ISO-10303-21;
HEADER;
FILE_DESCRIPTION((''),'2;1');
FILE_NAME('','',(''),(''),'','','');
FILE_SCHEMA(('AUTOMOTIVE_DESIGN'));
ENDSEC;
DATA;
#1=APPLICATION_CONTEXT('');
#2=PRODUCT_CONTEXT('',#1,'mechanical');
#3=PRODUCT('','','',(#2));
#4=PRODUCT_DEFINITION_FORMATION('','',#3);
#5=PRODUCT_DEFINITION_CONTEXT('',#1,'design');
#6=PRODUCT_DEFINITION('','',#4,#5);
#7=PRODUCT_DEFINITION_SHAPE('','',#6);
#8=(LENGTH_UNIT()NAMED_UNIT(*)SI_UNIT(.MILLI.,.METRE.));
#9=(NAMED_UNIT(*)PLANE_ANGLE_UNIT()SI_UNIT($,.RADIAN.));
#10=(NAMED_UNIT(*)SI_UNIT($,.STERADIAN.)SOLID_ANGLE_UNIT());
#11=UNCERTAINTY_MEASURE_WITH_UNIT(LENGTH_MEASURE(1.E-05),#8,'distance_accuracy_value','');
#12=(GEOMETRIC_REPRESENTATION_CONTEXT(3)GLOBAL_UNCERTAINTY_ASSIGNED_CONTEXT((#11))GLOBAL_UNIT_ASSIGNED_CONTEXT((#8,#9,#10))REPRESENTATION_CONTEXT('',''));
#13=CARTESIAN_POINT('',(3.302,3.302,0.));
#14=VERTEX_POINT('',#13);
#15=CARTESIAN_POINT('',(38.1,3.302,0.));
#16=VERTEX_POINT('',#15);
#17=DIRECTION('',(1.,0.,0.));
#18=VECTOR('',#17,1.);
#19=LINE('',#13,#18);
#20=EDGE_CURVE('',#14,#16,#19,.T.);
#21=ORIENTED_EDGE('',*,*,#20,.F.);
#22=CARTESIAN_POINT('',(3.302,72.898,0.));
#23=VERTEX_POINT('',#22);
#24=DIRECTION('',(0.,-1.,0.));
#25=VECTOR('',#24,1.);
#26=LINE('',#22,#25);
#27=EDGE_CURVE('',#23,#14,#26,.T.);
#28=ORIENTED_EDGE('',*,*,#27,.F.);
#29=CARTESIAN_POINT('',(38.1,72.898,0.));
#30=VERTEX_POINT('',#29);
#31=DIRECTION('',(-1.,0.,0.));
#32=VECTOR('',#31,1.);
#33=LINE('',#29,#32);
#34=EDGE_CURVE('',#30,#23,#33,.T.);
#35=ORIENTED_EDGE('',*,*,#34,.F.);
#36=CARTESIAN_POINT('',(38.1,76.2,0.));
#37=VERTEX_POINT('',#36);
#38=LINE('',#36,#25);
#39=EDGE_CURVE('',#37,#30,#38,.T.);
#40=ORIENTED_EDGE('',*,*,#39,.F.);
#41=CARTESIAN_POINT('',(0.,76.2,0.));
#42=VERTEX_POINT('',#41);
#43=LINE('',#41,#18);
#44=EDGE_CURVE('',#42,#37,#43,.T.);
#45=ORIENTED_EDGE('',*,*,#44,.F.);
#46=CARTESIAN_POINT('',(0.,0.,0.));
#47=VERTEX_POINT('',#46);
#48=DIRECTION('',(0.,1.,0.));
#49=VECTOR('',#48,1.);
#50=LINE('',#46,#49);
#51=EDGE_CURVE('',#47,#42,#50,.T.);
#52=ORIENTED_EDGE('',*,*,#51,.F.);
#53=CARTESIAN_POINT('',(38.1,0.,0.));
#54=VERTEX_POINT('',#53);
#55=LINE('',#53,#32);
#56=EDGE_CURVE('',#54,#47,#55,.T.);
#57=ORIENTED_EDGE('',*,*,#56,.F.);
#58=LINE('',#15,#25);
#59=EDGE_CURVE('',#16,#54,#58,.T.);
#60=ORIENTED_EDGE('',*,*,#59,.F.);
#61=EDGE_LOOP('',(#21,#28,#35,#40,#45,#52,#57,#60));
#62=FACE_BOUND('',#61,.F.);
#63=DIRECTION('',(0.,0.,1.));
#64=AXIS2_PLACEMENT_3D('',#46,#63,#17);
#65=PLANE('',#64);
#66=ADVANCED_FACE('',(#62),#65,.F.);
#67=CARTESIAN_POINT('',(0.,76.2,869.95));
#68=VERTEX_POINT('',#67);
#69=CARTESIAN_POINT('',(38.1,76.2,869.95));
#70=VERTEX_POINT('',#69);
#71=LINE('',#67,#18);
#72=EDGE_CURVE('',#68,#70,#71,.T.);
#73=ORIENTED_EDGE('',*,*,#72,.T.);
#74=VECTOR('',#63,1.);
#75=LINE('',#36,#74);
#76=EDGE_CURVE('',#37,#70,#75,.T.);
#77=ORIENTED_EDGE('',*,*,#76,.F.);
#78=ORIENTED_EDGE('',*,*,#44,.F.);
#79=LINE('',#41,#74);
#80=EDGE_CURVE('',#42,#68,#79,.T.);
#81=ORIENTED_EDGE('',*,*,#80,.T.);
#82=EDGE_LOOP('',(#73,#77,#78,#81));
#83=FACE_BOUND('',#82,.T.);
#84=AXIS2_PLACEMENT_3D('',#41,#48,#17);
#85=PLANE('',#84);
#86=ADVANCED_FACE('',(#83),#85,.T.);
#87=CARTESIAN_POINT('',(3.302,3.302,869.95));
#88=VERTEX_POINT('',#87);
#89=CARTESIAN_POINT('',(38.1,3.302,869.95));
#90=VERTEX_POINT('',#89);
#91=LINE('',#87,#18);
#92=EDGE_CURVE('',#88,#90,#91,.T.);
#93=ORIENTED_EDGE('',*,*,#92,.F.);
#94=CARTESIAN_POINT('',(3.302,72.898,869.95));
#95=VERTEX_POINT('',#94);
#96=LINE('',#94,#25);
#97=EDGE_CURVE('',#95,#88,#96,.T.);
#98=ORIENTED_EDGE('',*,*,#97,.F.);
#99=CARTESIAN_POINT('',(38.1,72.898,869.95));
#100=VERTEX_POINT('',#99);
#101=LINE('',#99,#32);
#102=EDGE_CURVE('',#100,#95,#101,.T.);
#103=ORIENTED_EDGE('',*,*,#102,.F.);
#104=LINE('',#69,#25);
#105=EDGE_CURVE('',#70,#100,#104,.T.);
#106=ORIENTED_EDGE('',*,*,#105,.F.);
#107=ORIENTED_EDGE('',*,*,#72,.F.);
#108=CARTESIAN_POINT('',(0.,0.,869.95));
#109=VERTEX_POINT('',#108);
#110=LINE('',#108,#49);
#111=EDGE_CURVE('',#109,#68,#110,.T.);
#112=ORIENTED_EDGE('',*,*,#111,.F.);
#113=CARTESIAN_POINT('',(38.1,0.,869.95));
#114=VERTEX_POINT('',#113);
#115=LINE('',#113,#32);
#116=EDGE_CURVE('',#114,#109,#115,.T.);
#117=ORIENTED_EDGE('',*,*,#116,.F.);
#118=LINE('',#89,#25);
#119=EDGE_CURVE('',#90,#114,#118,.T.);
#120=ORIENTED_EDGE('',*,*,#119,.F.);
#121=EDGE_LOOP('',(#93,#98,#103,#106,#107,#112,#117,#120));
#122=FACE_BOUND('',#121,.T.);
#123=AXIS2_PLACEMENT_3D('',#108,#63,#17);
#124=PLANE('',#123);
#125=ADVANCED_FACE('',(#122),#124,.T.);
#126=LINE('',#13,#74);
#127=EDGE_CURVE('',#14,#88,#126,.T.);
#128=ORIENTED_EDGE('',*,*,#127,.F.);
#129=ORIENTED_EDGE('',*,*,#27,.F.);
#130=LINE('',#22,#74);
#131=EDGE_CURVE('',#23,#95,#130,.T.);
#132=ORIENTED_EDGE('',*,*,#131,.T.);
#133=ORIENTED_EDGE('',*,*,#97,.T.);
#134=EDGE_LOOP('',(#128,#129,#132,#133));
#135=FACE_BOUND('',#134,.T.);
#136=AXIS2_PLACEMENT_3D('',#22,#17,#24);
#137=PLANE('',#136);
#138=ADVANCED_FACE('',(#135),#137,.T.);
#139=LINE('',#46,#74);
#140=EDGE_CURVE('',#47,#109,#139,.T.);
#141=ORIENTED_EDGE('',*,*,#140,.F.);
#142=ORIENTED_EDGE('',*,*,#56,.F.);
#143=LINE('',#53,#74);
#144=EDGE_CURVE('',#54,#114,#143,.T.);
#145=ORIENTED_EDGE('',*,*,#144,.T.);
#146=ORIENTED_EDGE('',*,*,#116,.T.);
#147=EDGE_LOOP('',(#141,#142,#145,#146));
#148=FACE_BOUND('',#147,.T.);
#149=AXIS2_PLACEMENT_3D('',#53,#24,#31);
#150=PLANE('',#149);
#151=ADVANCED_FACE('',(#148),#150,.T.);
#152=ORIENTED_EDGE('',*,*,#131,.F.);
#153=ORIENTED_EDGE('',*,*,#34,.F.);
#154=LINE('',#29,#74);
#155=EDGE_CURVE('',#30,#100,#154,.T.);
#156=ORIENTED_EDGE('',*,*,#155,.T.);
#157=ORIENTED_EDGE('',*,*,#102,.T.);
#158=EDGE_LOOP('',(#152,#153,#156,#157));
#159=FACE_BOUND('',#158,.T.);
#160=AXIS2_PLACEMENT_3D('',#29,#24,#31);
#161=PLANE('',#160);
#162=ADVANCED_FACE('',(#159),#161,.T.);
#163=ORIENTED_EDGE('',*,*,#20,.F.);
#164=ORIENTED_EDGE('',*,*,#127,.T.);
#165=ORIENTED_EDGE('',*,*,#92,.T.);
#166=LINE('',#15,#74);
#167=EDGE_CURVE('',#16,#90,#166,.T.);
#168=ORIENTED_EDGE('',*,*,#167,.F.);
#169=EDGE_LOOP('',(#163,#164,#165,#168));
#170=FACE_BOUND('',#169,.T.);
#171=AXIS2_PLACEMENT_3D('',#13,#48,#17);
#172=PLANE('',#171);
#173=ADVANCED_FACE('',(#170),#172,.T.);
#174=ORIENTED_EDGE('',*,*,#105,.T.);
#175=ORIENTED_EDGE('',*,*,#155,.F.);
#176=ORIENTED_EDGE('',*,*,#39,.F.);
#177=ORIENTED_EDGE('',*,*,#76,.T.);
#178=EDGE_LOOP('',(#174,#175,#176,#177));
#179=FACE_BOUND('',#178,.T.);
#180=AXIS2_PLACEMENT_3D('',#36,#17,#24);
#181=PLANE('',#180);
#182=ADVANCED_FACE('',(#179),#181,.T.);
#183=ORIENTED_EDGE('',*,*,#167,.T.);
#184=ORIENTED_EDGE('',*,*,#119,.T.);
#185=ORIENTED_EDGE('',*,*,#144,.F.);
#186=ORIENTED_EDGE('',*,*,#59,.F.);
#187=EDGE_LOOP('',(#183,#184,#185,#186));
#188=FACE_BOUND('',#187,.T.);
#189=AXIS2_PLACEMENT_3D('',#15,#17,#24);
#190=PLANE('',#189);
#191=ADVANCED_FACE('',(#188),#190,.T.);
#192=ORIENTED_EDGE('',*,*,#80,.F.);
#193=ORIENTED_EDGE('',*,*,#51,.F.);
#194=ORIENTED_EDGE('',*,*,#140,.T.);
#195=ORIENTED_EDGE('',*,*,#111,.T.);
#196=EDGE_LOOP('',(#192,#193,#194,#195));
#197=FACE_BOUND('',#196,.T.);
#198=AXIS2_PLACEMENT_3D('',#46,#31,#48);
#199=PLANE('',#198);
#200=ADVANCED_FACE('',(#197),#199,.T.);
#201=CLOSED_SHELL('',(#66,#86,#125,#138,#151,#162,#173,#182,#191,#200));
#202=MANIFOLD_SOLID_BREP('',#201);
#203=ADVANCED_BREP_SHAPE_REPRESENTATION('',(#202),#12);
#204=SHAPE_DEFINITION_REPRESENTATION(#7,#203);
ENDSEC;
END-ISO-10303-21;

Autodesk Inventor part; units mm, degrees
ref_plane "YZ Plane" through (0, 0, 0) normal (1, 0, 0) x (0, 1, 0)
ref_plane "XZ Plane" through (0, 0, 0) normal (0, 1, 0) x (-1, 0, 0)
ref_plane "XY Plane" through (0, 0, 0) normal (0, 0, 1) x (1, 0, 0)
sketch "Sketch1" plane through (0, 0, 0) normal (0, 0, 1) x (1, 0, 0)
  line L0 (0, 0) -> (0, 76.2)
  line L1 (0, 76.2) -> (38.1, 76.2)
  line L2 (38.1, 76.2) -> (38.1, 72.898)
  line L3 (38.1, 72.898) -> (3.302, 72.898)
  line L4 (3.302, 72.898) -> (3.302, 3.302)
  line L5 (3.302, 3.302) -> (38.1, 3.302)
  line L6 (38.1, 3.302) -> (38.1, 0)
  line L7 (38.1, 0) -> (0, 0)
  dimension "d0" = 76.2
  dimension "d1" = 38.1
  dimension "d2" = 3.302
  dimension "d3" = 3.302
extrude "Extrusion1" add sketch "Sketch1" along normal blind 869.95
properties part number "Part56061 Aluminum Channel 3in x 1.5in"
